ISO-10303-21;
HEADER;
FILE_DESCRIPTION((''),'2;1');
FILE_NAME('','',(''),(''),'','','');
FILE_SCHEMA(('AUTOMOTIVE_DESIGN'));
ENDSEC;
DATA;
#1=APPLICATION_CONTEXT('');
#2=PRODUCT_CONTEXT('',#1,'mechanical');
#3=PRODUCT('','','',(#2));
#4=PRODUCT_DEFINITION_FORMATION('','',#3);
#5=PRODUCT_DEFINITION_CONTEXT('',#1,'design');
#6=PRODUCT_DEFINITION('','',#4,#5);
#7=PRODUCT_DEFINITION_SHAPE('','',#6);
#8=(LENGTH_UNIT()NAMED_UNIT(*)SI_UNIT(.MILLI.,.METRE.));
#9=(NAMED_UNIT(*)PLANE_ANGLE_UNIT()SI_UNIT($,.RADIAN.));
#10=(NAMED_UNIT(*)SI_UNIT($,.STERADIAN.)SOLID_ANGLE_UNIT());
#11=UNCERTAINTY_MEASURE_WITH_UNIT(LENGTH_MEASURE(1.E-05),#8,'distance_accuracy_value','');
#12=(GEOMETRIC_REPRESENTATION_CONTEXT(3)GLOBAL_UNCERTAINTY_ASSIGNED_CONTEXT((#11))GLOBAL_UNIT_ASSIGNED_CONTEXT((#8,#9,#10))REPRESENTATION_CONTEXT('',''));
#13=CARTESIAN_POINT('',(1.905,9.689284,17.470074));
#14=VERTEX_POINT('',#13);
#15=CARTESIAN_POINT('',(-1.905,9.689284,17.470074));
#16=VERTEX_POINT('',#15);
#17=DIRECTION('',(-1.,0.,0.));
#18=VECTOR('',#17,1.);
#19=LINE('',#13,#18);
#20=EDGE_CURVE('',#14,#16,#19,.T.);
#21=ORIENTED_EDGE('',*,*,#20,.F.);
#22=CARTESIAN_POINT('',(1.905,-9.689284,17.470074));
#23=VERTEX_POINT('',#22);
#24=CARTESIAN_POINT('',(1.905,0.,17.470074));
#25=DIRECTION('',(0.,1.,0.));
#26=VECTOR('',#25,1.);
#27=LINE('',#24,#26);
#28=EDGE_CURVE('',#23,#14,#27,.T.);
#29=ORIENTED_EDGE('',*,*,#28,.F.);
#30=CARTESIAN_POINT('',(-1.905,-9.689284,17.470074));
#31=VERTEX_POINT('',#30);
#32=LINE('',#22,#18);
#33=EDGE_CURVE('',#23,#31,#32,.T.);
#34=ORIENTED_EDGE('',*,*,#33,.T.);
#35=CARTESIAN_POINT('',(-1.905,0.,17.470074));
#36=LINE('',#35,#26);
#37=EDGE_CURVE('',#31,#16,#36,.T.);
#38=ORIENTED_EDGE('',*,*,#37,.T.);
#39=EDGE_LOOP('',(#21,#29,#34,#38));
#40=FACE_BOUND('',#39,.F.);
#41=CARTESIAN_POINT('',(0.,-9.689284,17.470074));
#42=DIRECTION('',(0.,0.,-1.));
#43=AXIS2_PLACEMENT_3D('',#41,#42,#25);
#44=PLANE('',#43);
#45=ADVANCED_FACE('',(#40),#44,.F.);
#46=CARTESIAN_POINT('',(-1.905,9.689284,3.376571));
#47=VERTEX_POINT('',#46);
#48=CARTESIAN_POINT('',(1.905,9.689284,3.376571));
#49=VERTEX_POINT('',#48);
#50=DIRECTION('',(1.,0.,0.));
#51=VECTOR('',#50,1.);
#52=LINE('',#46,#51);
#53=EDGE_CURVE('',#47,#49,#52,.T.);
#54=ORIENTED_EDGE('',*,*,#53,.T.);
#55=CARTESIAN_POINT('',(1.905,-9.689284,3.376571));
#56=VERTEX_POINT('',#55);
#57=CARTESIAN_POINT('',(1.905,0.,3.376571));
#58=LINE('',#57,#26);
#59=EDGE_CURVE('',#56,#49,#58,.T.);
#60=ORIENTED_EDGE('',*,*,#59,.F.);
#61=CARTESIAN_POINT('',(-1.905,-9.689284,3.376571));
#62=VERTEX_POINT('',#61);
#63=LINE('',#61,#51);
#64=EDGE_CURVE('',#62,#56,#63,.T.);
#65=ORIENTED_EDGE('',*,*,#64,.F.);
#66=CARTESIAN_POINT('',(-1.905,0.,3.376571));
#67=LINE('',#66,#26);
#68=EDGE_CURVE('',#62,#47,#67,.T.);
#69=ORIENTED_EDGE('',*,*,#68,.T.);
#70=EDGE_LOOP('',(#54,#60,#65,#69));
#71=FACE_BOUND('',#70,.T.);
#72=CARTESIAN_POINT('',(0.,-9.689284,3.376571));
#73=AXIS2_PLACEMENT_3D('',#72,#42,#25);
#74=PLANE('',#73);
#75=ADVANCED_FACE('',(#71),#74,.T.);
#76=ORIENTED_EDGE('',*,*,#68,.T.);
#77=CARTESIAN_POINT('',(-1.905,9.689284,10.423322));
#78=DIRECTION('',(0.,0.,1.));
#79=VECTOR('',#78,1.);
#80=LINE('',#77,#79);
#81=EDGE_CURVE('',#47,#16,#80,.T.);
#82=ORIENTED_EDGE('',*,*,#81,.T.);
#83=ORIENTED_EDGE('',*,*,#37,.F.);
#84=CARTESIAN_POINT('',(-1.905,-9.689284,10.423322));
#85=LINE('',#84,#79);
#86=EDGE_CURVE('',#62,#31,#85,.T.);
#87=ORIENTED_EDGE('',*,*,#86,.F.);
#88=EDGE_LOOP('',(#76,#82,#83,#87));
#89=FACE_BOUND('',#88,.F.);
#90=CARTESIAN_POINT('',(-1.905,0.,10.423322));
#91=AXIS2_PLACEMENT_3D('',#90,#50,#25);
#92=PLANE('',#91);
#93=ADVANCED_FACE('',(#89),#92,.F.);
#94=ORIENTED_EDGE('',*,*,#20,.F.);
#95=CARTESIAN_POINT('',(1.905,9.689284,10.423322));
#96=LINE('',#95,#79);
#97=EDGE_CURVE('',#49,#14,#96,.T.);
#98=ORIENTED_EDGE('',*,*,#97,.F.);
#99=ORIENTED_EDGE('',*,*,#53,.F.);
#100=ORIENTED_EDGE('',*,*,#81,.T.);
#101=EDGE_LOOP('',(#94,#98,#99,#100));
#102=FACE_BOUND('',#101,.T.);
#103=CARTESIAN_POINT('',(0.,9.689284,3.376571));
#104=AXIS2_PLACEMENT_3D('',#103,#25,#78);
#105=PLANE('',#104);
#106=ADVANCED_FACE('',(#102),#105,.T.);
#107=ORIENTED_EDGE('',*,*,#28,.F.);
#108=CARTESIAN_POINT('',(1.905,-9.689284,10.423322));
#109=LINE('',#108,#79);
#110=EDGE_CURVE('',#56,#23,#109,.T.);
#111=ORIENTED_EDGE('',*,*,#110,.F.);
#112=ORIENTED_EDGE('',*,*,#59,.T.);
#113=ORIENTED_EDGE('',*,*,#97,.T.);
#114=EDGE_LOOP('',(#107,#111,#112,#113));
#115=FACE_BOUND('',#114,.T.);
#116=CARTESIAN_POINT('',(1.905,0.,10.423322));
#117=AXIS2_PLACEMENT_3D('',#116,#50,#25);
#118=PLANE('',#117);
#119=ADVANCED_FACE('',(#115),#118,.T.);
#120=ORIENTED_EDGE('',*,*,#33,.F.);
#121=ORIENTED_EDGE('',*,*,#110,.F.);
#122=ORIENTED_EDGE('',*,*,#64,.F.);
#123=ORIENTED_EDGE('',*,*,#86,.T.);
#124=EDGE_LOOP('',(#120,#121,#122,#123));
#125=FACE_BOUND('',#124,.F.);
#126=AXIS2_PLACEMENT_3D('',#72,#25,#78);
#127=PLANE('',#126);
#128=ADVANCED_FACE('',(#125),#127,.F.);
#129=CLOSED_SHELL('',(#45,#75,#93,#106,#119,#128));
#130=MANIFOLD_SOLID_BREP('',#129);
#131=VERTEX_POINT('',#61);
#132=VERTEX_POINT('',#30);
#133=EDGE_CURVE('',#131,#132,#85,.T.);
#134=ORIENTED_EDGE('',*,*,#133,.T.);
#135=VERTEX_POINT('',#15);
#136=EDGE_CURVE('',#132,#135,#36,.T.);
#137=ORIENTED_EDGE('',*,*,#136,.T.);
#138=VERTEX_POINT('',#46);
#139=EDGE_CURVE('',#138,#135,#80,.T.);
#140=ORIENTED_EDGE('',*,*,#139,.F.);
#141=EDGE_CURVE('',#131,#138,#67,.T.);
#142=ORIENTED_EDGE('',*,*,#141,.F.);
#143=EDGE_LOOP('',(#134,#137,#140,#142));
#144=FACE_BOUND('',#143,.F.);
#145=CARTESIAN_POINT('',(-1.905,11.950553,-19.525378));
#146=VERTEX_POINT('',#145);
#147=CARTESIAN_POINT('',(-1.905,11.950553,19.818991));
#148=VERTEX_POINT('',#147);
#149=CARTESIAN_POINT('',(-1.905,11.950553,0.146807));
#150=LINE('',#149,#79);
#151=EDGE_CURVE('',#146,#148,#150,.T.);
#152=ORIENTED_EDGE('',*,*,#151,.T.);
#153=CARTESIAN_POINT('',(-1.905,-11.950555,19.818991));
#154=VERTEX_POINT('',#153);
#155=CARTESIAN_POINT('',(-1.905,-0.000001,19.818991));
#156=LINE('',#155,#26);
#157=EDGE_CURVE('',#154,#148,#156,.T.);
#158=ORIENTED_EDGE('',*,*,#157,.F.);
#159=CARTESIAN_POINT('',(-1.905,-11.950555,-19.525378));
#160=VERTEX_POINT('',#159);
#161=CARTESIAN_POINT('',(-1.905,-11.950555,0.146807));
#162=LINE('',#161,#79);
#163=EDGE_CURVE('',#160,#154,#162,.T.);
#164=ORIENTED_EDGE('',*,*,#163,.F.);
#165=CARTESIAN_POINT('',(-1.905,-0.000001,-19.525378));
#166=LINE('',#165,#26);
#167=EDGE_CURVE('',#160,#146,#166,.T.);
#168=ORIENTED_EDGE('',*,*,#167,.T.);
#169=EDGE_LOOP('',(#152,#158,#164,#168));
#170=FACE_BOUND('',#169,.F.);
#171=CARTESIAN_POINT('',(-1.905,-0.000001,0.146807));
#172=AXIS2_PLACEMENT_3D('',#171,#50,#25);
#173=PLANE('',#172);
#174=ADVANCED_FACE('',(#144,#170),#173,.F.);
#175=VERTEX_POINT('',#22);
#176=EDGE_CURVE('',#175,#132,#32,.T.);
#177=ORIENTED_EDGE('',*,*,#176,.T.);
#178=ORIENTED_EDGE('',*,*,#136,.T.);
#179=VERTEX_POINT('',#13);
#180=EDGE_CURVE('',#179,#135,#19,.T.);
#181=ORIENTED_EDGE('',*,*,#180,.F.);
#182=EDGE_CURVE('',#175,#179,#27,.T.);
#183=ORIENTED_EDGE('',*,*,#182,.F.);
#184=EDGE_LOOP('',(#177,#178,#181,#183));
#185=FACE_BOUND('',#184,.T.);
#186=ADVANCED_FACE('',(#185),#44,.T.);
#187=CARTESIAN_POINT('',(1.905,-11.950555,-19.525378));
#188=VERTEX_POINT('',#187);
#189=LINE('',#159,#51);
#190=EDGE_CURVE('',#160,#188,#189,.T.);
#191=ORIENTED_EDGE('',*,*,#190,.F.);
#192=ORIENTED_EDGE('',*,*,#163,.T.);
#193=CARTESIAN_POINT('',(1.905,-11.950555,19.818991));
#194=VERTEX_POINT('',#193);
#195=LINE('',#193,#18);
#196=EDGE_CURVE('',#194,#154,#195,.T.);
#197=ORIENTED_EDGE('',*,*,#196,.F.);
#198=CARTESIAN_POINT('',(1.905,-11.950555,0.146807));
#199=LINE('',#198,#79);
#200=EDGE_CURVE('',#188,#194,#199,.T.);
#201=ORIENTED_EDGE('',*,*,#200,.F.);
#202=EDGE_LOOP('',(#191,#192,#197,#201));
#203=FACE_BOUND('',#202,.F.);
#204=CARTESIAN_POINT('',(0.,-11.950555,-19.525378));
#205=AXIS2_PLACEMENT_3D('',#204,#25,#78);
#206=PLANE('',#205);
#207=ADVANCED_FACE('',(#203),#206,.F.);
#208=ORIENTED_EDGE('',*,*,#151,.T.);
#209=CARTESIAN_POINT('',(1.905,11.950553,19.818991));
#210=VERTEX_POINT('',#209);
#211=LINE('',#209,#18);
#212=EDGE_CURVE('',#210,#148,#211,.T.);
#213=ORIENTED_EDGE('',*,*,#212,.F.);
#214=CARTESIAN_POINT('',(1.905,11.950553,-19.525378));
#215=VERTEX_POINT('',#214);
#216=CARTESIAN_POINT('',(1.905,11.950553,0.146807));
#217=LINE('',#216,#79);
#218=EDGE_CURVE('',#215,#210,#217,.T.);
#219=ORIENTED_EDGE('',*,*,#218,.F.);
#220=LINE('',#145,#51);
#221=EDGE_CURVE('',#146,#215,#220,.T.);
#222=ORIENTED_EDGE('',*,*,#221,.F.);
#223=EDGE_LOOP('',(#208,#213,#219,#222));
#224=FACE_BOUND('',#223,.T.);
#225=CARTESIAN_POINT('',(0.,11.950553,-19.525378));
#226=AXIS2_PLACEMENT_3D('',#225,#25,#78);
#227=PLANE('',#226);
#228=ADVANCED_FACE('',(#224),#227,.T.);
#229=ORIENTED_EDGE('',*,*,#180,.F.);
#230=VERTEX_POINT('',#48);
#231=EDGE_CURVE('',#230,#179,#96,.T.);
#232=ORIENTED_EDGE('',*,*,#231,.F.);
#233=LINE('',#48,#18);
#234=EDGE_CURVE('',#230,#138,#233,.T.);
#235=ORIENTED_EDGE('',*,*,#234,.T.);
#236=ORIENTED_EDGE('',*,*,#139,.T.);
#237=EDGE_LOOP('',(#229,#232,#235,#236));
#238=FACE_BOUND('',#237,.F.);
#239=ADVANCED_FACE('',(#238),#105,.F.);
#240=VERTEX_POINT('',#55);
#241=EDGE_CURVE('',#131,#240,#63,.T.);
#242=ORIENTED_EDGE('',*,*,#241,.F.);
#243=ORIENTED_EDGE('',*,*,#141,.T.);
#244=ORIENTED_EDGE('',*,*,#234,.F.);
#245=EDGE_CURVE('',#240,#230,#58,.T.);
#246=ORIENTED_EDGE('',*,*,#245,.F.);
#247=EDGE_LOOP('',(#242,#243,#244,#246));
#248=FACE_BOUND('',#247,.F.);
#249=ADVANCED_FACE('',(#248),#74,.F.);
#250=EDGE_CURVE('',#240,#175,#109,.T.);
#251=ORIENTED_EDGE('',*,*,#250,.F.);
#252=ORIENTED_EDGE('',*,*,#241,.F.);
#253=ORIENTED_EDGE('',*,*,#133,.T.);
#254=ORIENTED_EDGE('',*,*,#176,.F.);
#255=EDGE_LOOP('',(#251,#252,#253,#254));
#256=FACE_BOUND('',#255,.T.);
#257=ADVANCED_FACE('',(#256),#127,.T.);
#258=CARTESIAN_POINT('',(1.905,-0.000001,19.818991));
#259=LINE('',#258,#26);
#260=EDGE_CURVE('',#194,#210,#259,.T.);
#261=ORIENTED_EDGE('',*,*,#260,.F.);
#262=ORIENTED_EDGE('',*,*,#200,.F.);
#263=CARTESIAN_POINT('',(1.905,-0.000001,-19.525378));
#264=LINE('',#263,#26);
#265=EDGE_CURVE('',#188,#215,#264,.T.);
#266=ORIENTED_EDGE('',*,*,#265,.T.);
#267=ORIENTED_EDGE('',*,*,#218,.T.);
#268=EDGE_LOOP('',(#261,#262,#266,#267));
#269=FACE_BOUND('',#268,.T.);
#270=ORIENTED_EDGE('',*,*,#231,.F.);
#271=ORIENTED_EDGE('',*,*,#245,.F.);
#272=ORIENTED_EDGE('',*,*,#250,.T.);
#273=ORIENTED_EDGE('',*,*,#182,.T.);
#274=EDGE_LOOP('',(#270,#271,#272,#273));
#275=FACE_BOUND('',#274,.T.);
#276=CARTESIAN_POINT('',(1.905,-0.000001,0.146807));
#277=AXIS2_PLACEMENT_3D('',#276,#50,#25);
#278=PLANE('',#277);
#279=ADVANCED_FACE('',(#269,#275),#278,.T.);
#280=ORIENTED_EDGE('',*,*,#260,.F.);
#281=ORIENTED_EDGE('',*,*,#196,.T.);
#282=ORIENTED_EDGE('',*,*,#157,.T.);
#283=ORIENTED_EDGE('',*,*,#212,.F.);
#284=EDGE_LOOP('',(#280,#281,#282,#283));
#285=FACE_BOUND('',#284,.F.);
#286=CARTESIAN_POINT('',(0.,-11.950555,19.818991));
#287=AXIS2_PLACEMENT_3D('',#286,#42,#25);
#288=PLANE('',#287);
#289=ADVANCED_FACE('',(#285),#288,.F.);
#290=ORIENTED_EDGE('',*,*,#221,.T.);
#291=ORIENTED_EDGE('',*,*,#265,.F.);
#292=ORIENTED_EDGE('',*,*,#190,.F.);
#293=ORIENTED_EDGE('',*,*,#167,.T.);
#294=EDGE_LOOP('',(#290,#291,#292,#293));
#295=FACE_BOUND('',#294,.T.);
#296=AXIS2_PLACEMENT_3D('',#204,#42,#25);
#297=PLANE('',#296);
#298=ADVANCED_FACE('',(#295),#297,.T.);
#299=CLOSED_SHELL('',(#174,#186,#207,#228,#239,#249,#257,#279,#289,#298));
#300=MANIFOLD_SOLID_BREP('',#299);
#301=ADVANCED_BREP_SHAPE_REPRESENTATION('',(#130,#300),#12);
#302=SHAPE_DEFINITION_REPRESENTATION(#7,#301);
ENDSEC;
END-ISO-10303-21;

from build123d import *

# Parameters (mm, degrees)
F0_W     = 23.901107
F0_H     = 39.344369
F0_W_2   = 19.378568
F0_H_2   = 14.093503
F1_DEPTH = 1.905
F2_DEPTH = 1.905


with BuildPart() as f1:
    # F0 (on Right) → F1 (new body, symmetric)
    with BuildSketch(Plane.YZ):
        with Locations((-1e-06, 0.146807)):
            Rectangle(F0_W, F0_H)
        with Locations((0, 10.423322)):
            Rectangle(F0_W_2, F0_H_2, mode=Mode.SUBTRACT)
    extrude(amount=F1_DEPTH, both=True)


with BuildPart() as f2:
    # F0 (on Right) → F2 (new body, symmetric)
    with BuildSketch(Plane.YZ):
        with Locations((0, 10.423322)):
            Rectangle(F0_W_2, F0_H_2)
    extrude(amount=F2_DEPTH, both=True)


solid = Compound([f1.part, f2.part])
